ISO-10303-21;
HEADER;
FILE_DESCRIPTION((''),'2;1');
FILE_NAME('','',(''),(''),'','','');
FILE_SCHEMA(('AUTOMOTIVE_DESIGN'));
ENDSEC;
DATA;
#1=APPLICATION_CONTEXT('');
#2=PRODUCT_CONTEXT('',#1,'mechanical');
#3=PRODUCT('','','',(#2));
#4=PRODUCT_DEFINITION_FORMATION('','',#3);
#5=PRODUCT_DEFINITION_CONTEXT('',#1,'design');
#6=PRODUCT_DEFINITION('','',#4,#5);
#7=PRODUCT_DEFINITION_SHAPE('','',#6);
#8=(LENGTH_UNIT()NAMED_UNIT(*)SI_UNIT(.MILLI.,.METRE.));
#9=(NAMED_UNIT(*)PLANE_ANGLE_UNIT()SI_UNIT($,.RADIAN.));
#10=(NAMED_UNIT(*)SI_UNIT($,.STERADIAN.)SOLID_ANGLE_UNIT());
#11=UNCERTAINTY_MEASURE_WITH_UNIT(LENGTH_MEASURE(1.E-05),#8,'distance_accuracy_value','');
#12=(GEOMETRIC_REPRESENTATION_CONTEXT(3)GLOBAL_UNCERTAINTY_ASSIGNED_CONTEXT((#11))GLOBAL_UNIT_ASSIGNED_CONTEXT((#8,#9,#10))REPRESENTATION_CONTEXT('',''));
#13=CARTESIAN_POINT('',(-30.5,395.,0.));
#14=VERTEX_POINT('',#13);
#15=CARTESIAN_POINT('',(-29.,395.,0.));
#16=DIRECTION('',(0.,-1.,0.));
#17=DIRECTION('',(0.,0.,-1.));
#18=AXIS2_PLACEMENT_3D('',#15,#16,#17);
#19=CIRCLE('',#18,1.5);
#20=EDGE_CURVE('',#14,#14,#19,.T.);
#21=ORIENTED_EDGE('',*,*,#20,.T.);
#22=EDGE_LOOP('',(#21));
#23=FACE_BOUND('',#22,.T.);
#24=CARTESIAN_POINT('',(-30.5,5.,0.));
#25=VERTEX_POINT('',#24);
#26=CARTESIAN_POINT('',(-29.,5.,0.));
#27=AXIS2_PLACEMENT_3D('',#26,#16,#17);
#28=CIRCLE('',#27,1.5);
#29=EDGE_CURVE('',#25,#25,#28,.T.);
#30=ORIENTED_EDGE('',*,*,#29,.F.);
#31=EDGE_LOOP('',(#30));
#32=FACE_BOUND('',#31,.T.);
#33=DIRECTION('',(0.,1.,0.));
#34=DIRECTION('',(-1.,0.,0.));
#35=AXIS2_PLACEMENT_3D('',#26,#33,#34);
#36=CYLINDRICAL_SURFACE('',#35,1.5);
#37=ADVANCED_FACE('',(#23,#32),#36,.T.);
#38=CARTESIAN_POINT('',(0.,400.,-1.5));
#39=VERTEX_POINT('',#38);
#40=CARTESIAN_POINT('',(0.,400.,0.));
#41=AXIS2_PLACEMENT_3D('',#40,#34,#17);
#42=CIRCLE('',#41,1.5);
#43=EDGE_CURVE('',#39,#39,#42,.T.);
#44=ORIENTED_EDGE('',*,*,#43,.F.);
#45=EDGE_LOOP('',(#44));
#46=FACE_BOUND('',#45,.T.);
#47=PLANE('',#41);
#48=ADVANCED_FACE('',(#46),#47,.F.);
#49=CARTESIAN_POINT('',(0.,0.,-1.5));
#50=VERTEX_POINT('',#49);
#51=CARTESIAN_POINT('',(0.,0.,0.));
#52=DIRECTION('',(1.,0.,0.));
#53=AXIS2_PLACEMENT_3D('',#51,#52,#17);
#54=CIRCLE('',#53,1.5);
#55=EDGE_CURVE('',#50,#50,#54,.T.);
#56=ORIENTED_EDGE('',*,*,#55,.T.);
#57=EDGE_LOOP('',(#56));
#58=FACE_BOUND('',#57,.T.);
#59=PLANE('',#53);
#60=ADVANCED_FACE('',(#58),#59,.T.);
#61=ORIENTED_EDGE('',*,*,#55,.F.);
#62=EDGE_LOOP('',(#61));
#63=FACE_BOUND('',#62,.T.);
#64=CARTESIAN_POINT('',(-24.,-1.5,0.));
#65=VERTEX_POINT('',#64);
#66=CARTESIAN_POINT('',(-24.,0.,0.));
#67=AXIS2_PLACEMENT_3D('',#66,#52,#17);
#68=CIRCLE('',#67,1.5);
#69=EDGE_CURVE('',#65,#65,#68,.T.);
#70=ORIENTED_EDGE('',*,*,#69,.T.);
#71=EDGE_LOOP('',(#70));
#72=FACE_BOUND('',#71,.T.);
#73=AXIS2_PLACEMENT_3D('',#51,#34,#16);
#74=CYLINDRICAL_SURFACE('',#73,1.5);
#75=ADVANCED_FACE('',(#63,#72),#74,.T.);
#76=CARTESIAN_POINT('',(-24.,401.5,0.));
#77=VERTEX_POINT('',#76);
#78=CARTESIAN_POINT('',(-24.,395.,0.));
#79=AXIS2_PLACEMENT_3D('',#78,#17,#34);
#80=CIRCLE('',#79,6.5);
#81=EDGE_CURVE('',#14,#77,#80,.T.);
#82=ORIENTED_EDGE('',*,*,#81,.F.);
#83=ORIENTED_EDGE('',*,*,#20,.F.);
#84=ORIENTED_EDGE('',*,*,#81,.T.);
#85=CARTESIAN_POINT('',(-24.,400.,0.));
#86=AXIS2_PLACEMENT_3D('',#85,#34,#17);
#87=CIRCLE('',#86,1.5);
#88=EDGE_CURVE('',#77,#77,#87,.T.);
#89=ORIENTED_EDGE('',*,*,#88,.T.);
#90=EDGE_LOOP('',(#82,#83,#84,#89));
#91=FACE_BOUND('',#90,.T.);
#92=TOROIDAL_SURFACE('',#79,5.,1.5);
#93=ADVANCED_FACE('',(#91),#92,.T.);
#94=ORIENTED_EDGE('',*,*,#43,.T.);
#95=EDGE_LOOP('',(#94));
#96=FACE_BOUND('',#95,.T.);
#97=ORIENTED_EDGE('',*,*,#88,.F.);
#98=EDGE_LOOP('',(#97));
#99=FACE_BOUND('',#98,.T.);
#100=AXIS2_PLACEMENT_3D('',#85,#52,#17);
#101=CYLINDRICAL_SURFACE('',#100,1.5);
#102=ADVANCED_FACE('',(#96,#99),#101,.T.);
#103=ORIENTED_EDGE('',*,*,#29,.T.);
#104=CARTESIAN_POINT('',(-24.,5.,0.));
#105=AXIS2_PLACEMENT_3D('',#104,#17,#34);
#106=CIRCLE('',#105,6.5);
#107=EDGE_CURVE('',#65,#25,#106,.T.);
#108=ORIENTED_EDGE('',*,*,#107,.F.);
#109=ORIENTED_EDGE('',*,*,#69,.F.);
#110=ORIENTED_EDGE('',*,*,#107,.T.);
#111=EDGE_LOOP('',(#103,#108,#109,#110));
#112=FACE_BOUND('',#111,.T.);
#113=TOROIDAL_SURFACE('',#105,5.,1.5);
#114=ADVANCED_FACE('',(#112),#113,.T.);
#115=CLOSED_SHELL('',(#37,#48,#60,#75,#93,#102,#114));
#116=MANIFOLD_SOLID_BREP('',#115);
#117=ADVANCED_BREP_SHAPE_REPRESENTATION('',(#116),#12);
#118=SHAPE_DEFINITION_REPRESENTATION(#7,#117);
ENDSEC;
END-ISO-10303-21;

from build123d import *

# Parameters (mm, degrees)
ESQUISSE2_R = 1.5


with BuildPart() as part:
    # Balayage1: sweep along a path in Esquisse1
    with BuildLine(Plane.XY) as balayage1_path:
        Line((0, 0), (-24, 0))
        ThreePointArc((-24, 0), (-27.535533906, 1.464466094), (-29, 5))
        Line((-29, 5), (-29, 395))
        ThreePointArc((-29, 395), (-27.535533906, 398.535533906), (-24, 400))
        Line((-24, 400), (0, 400))
    # Esquisse2 → Balayage1 (sweep)
    with BuildSketch(Plane(origin=(0, 0, 0), x_dir=(0, 0, -1), z_dir=(1, 0, 0))):
        Circle(ESQUISSE2_R)
    sweep(path=balayage1_path.line)


solid = part.part
